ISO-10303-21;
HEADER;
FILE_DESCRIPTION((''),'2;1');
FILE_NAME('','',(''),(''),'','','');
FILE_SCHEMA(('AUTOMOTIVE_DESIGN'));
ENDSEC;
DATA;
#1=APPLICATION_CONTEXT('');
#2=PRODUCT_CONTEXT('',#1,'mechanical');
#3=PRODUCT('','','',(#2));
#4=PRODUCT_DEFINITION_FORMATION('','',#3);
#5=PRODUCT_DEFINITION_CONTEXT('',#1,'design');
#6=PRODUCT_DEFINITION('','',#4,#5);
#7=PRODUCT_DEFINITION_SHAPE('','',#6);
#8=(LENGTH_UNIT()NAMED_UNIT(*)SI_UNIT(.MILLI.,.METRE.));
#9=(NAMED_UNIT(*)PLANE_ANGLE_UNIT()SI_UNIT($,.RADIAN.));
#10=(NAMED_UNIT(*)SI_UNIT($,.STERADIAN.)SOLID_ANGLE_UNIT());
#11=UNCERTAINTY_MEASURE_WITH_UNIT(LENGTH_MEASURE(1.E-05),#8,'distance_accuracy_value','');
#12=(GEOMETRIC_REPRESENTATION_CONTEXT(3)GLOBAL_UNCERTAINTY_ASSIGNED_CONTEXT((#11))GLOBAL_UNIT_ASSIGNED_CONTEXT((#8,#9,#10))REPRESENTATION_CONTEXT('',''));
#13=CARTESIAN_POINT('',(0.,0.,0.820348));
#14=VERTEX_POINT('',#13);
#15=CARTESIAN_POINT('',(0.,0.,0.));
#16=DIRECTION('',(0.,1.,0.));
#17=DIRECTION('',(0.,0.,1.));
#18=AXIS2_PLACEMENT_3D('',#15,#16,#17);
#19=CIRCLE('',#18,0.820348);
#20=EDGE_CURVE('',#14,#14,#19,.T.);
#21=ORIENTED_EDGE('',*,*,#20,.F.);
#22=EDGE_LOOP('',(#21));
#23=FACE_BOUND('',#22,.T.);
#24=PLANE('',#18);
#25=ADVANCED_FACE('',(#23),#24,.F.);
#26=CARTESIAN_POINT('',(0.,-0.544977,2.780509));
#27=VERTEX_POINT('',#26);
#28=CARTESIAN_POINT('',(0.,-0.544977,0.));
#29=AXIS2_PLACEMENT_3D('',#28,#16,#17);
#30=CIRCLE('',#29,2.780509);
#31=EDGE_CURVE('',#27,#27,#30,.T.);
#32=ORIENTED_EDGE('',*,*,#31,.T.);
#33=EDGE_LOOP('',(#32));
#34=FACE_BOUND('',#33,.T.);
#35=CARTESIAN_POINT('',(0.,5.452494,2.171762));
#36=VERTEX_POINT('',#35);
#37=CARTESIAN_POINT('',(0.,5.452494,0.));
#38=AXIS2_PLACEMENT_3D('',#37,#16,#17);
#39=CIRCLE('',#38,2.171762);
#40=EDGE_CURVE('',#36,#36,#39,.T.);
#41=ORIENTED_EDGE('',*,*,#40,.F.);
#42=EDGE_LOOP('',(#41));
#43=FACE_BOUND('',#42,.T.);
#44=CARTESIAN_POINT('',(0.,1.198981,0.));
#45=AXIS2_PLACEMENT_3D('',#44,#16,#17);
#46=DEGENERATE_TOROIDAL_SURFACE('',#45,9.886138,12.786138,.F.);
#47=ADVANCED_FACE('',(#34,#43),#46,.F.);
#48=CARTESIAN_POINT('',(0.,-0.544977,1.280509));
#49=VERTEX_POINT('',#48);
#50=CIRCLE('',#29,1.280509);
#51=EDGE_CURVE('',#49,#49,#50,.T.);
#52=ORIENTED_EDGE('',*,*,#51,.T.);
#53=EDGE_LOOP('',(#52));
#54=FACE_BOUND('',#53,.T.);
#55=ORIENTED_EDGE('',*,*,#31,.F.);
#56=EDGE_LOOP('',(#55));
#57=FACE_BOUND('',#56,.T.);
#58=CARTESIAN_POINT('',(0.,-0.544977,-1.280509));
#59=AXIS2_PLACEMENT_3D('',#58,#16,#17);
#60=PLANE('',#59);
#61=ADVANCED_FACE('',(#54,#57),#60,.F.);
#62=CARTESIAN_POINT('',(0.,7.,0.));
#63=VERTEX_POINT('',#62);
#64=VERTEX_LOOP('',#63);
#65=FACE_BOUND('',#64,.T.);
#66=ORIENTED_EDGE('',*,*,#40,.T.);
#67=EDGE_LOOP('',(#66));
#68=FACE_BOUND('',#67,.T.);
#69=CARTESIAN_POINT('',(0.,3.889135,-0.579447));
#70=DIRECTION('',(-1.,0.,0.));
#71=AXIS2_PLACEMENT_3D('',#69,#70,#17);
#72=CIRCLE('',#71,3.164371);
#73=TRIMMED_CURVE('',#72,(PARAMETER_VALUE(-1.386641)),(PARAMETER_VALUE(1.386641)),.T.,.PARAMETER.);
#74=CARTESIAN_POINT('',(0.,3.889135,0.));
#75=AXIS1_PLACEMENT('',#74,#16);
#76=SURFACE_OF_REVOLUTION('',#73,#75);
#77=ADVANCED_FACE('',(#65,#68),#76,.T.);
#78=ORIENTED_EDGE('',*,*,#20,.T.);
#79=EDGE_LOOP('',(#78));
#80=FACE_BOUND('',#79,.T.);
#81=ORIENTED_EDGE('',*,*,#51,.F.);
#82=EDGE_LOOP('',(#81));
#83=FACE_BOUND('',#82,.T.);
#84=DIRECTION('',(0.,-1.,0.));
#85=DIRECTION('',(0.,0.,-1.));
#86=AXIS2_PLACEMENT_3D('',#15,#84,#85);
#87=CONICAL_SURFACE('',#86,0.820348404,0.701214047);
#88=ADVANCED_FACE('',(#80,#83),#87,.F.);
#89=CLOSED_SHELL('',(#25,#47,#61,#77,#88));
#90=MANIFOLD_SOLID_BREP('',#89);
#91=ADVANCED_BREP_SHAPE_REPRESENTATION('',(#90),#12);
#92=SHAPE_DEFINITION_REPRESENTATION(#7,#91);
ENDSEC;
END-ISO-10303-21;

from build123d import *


with BuildPart() as part:
    # 스케치1 → 회전1 (revolve)
    with BuildSketch(Plane(origin=(0, 0, 0), x_dir=(0, 0, -1), z_dir=(1, 0, 0)), mode=Mode.PRIVATE) as revolve_1_sk:
        with BuildLine():
            Line((0, 0), (0.820348404, 0))
            Line((0.820348404, 0), (1.28050857, -0.544977229))
            Line((1.28050857, -0.544977229), (2.78050857, -0.544977229))
            ThreePointArc((2.78050857, -0.544977229), (2.834640853, 2.490147127), (2.171761805, 5.452494427))
            ThreePointArc((2.171761805, 5.452494427), (1.256856501, 6.466193538), (0, 7))
            Line((0, 7), (0, 0))
        make_face()
    revolve(revolve_1_sk.sketch.rotate(Axis((0, 7, 0), (0, -1, 0)), 180), axis=Axis((0, 7, 0), (0, -1, 0)))


solid = part.part
